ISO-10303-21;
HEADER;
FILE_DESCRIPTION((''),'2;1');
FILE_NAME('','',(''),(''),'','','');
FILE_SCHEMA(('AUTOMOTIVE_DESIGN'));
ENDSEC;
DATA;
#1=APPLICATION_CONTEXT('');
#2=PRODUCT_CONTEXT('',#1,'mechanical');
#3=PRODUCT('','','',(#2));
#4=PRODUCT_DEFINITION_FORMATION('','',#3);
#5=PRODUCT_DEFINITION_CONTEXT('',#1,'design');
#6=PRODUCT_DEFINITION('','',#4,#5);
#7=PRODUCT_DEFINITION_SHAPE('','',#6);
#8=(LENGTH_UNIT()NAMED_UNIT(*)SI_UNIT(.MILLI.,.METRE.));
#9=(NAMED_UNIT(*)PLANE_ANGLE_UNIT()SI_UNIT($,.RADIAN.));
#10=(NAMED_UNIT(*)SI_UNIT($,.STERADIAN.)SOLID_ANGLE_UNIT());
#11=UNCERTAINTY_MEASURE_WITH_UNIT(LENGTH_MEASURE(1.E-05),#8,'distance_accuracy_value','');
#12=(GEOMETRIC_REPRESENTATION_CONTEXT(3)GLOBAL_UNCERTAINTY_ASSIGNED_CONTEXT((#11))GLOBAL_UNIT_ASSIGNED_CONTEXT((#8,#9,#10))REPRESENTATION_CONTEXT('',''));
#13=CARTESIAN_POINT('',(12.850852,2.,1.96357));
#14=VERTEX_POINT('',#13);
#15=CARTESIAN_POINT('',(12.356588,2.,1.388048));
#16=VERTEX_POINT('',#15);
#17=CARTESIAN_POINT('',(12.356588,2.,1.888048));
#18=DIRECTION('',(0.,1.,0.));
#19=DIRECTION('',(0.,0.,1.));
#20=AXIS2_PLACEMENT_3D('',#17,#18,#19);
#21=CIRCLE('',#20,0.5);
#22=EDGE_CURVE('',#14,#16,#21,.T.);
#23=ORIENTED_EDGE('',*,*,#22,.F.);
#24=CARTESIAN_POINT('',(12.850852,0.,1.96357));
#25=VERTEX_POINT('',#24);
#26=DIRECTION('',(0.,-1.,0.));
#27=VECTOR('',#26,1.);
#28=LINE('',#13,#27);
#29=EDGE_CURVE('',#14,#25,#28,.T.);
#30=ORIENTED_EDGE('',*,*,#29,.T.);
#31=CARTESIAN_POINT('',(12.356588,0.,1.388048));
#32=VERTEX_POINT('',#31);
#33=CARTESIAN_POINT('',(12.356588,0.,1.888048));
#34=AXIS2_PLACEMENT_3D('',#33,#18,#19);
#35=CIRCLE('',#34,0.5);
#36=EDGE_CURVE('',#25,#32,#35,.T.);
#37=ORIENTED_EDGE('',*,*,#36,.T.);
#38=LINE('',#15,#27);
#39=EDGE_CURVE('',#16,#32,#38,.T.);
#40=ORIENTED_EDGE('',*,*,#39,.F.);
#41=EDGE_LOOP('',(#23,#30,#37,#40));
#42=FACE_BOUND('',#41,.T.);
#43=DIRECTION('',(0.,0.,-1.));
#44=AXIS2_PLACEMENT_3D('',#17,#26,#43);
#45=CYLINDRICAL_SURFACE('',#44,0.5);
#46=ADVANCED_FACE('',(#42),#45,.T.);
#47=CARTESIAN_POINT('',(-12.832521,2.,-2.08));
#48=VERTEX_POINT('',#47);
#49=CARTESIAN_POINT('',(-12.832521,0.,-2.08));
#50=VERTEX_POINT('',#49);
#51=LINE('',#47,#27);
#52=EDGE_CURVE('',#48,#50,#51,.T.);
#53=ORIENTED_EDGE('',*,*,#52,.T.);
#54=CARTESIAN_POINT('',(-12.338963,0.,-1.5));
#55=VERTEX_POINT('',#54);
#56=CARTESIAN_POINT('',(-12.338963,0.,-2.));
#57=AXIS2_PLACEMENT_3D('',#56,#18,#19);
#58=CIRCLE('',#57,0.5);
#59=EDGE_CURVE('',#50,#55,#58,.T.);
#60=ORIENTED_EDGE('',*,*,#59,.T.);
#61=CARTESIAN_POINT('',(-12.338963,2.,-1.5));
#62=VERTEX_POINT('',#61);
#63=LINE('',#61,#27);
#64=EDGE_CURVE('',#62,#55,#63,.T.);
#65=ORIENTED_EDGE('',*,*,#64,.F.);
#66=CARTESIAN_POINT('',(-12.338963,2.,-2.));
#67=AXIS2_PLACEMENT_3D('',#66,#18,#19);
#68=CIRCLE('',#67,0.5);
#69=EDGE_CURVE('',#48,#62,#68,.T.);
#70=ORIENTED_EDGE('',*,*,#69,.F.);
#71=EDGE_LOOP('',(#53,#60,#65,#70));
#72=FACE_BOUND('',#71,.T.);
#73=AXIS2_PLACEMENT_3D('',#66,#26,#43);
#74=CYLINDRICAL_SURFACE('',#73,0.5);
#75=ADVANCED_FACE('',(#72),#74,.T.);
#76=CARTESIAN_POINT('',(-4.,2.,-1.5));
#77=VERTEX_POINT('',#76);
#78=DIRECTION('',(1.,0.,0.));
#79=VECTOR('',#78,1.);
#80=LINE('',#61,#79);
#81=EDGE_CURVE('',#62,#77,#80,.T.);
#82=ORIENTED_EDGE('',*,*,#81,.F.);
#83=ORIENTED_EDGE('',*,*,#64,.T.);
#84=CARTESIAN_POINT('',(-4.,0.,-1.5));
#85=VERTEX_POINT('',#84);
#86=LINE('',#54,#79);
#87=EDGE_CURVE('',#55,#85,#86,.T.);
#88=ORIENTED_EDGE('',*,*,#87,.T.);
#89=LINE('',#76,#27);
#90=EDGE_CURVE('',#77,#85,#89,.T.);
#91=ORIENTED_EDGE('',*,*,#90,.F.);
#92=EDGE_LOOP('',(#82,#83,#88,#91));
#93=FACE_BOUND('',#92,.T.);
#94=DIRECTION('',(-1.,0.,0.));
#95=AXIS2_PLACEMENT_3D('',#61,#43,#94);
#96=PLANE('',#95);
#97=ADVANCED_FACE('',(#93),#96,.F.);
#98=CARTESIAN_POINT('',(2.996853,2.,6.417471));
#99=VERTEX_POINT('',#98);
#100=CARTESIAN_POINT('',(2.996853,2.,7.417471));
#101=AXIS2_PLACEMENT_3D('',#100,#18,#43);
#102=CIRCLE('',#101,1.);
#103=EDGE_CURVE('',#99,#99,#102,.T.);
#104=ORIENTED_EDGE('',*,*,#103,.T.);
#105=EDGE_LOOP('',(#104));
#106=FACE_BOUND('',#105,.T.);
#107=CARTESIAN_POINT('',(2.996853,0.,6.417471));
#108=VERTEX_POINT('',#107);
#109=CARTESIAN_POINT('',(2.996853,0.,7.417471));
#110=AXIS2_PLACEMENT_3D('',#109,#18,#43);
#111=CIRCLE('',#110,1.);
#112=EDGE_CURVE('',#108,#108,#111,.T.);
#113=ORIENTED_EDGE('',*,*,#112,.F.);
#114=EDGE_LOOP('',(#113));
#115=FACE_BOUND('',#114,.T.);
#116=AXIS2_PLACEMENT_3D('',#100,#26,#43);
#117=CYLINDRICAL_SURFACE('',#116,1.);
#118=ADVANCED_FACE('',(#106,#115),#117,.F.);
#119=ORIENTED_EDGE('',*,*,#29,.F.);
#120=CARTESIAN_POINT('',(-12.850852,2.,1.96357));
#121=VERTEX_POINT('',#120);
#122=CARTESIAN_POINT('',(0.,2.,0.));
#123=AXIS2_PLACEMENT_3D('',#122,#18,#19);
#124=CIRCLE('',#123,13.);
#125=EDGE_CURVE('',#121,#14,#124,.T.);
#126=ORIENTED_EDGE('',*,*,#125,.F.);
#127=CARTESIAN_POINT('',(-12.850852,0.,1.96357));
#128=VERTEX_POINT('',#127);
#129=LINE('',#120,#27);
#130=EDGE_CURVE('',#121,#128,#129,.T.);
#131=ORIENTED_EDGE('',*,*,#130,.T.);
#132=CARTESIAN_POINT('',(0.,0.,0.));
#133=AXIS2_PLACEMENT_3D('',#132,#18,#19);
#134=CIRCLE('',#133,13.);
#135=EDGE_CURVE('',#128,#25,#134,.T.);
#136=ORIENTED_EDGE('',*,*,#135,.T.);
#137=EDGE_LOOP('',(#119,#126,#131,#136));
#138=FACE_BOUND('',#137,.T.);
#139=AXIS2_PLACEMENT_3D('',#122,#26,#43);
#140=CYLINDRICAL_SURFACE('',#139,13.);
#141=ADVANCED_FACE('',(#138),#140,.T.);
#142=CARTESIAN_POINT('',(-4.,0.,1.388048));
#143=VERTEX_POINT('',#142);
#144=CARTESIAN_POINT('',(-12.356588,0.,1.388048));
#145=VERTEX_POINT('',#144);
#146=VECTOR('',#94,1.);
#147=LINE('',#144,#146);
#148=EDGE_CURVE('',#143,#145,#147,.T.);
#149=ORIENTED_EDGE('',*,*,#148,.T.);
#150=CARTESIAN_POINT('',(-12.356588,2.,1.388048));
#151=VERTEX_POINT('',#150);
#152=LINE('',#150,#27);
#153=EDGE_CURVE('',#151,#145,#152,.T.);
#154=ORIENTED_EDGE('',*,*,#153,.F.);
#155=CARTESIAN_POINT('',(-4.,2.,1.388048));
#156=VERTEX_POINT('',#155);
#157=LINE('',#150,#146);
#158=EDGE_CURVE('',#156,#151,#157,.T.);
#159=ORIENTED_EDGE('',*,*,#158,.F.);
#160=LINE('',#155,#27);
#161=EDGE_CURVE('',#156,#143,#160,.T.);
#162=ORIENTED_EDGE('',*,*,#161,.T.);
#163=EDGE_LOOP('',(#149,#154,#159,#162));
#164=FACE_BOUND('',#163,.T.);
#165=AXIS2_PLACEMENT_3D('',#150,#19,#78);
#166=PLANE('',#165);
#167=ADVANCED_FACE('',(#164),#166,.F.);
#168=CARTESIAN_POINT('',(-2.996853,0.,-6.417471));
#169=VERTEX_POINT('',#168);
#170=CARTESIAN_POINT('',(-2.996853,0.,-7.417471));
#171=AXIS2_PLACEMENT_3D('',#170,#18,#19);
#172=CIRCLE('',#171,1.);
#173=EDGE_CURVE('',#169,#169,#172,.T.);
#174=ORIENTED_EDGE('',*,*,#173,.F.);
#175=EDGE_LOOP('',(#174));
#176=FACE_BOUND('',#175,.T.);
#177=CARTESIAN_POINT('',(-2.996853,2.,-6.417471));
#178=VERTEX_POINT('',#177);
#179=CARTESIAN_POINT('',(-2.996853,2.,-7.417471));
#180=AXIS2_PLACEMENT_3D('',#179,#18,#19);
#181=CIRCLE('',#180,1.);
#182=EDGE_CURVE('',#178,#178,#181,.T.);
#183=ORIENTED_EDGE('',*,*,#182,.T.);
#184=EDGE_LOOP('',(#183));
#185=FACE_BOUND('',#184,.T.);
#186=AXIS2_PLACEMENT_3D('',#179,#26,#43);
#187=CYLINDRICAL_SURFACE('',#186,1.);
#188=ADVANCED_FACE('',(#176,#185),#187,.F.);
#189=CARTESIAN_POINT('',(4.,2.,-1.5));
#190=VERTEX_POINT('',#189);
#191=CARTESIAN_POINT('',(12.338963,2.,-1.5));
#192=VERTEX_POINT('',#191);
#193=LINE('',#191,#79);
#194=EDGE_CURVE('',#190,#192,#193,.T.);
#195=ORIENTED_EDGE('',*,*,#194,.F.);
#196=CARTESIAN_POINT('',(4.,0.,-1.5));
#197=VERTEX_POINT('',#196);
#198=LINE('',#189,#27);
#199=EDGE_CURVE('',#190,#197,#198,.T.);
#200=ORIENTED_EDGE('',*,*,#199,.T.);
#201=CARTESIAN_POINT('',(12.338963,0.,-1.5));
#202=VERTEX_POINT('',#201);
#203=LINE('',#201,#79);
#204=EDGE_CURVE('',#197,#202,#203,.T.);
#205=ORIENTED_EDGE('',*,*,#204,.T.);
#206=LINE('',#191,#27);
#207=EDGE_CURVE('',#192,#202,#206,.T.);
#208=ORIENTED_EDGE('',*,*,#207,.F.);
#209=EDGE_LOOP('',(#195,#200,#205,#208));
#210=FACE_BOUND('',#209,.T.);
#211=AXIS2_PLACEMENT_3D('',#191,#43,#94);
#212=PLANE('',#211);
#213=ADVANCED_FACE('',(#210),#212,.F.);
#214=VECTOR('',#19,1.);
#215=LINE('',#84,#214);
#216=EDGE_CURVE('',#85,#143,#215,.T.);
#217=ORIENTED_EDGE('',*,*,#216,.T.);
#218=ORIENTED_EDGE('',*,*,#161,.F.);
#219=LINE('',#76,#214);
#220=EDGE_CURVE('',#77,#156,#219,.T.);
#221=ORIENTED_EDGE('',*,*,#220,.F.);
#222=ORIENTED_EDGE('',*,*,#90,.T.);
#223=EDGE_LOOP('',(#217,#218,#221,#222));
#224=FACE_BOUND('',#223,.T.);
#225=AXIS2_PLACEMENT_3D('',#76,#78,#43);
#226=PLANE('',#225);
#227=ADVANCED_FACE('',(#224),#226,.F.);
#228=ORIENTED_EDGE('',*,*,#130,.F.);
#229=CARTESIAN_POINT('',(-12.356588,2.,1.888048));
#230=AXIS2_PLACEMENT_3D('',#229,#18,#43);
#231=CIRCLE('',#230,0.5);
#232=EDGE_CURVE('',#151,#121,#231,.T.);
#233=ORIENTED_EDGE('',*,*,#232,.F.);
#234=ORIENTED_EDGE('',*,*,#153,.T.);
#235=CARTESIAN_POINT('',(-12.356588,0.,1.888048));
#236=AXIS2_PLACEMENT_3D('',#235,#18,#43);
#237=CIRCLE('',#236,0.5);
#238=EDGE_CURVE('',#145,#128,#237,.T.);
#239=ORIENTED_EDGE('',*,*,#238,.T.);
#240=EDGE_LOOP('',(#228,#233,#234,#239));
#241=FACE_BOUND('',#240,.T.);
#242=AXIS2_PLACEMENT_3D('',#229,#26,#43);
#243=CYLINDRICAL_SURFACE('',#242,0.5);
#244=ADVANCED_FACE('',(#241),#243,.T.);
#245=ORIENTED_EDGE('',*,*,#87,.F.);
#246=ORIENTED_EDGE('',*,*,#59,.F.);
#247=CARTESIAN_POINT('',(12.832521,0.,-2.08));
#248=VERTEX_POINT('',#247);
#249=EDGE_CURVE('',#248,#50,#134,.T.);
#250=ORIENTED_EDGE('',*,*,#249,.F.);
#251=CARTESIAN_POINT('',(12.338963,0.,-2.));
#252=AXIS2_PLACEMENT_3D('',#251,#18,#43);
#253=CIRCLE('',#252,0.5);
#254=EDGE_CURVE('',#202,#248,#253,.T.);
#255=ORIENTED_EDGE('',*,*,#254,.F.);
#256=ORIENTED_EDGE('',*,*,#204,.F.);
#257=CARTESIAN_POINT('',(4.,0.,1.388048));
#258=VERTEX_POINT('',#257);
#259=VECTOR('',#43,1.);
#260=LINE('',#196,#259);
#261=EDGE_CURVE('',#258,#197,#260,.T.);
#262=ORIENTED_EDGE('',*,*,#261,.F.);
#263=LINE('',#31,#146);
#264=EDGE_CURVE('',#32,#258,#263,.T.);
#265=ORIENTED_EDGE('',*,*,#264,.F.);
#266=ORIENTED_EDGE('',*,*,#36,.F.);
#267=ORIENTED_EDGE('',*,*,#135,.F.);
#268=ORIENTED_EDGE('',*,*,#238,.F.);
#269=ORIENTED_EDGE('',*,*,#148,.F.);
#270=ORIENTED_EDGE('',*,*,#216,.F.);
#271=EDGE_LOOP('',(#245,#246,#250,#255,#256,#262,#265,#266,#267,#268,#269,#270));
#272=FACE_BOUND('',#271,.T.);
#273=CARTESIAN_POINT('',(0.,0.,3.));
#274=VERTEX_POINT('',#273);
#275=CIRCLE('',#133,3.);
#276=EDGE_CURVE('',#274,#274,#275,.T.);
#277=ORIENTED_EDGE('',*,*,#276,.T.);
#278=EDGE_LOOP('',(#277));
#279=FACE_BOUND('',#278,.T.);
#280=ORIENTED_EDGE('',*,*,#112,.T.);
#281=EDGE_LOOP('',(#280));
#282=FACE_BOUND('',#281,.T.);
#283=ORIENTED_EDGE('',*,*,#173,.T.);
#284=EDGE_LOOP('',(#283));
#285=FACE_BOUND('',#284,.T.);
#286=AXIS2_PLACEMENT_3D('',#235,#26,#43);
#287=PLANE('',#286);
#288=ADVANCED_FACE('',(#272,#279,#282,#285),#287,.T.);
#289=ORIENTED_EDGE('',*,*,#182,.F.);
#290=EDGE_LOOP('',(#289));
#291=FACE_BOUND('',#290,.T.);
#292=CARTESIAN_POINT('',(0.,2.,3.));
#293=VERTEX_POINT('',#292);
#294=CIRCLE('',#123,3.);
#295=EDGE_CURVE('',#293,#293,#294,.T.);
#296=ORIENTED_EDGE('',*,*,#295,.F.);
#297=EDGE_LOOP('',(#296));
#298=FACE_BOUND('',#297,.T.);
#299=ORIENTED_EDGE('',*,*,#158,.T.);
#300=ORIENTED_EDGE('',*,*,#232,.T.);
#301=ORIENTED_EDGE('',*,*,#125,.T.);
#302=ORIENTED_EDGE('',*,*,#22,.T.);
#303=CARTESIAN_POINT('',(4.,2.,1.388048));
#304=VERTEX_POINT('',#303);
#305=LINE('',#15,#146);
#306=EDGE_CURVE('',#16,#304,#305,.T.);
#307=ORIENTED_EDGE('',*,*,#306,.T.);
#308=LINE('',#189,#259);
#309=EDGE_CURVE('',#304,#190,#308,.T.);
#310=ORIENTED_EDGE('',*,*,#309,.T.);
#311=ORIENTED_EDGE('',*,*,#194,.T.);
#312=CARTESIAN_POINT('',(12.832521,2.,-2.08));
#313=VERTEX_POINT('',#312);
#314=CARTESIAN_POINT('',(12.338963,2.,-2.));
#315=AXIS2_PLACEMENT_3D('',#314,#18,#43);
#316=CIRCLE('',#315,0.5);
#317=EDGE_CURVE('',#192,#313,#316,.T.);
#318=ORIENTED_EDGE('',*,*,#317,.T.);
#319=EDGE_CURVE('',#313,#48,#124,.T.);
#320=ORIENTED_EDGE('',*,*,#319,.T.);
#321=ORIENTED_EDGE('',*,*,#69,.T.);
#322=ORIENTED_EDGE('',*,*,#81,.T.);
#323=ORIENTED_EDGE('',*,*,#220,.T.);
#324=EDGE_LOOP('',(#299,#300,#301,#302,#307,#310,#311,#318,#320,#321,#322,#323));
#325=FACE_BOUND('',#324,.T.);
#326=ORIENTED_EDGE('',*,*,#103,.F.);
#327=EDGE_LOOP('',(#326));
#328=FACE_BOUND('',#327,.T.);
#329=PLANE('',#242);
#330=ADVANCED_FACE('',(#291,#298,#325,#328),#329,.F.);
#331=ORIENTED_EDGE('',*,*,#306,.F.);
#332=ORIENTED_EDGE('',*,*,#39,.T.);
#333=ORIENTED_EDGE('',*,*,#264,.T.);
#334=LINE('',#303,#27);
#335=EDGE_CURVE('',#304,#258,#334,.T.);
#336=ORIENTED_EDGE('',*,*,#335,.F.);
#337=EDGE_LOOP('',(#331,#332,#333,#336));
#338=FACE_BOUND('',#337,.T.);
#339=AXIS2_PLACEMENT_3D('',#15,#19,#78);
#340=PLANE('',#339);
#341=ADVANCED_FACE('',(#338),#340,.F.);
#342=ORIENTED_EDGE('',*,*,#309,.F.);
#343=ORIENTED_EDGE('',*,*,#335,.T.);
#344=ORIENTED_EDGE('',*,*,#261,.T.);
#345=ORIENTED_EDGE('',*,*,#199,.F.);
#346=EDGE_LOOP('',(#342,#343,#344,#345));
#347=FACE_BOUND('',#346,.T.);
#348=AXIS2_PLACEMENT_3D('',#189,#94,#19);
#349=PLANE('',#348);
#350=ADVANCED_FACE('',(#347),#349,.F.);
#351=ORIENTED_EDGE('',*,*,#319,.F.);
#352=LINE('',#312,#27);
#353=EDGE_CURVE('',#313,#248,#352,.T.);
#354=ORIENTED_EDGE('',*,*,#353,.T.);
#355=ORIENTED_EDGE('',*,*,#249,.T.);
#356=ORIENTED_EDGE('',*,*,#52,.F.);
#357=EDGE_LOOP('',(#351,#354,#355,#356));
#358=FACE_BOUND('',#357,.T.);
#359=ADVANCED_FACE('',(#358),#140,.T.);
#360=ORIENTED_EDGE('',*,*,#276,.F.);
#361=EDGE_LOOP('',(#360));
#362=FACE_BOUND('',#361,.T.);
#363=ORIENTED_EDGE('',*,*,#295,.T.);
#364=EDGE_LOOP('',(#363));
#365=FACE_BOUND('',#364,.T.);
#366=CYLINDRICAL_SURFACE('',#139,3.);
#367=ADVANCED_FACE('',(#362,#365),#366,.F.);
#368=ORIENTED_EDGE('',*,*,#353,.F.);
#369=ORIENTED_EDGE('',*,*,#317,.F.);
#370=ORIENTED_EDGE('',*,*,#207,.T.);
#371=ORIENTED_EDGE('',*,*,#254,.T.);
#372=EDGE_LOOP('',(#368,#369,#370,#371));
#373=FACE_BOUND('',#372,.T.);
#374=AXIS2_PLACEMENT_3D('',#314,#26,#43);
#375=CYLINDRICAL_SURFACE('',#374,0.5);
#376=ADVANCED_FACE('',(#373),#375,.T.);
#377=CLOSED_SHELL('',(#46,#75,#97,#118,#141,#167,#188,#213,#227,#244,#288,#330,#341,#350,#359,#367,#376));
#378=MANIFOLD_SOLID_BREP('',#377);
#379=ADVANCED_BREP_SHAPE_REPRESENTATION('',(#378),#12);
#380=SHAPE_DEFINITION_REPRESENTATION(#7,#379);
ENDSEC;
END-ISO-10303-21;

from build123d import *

# Parameters (mm, degrees)
SKETCH1_R           = 1
SKETCH1_R_2         = 3
BOSS_EXTRUDE1_DEPTH = 2


with BuildPart() as part:
    # Sketch1 → Boss-Extrude1 (new body)
    with BuildSketch(Plane(origin=(0, 0, 0), x_dir=(1, 0, 0), z_dir=(0, 1, 0))):
        with BuildLine():
            Line((-12.338962679, 1.5), (-4, 1.5))
            Line((-4, 1.5), (-4, -1.388047838))
            Line((-4, -1.388047838), (-12.356588338, -1.388047838))
            ThreePointArc((-12.356588338, -1.388047838), (-12.735904141, -1.562287924), (-12.850851872, -1.963569752))
            ThreePointArc((-12.850851872, -1.963569752), (0, -13), (12.850851872, -1.963569752))
            ThreePointArc((12.850851872, -1.963569752), (12.735904141, -1.562287924), (12.356588338, -1.388047838))
            Line((12.356588338, -1.388047838), (4, -1.388047838))
            Line((4, -1.388047838), (4, 1.5))
            Line((4, 1.5), (12.338962679, 1.5))
            ThreePointArc((12.338962679, 1.5), (12.719751335, 1.675962965), (12.832521186, 2.08))
            ThreePointArc((12.832521186, 2.08), (0, 13), (-12.832521186, 2.08))
            ThreePointArc((-12.832521186, 2.08), (-12.719751335, 1.675962965), (-12.338962679, 1.5))
        make_face()
        with Locations((-2.996852747, 7.417470837)):
            Circle(SKETCH1_R, mode=Mode.SUBTRACT)
        with Locations((2.996852747, -7.417470837)):
            Circle(SKETCH1_R, mode=Mode.SUBTRACT)
        Circle(SKETCH1_R_2, mode=Mode.SUBTRACT)
    extrude(amount=BOSS_EXTRUDE1_DEPTH)


solid = part.part
